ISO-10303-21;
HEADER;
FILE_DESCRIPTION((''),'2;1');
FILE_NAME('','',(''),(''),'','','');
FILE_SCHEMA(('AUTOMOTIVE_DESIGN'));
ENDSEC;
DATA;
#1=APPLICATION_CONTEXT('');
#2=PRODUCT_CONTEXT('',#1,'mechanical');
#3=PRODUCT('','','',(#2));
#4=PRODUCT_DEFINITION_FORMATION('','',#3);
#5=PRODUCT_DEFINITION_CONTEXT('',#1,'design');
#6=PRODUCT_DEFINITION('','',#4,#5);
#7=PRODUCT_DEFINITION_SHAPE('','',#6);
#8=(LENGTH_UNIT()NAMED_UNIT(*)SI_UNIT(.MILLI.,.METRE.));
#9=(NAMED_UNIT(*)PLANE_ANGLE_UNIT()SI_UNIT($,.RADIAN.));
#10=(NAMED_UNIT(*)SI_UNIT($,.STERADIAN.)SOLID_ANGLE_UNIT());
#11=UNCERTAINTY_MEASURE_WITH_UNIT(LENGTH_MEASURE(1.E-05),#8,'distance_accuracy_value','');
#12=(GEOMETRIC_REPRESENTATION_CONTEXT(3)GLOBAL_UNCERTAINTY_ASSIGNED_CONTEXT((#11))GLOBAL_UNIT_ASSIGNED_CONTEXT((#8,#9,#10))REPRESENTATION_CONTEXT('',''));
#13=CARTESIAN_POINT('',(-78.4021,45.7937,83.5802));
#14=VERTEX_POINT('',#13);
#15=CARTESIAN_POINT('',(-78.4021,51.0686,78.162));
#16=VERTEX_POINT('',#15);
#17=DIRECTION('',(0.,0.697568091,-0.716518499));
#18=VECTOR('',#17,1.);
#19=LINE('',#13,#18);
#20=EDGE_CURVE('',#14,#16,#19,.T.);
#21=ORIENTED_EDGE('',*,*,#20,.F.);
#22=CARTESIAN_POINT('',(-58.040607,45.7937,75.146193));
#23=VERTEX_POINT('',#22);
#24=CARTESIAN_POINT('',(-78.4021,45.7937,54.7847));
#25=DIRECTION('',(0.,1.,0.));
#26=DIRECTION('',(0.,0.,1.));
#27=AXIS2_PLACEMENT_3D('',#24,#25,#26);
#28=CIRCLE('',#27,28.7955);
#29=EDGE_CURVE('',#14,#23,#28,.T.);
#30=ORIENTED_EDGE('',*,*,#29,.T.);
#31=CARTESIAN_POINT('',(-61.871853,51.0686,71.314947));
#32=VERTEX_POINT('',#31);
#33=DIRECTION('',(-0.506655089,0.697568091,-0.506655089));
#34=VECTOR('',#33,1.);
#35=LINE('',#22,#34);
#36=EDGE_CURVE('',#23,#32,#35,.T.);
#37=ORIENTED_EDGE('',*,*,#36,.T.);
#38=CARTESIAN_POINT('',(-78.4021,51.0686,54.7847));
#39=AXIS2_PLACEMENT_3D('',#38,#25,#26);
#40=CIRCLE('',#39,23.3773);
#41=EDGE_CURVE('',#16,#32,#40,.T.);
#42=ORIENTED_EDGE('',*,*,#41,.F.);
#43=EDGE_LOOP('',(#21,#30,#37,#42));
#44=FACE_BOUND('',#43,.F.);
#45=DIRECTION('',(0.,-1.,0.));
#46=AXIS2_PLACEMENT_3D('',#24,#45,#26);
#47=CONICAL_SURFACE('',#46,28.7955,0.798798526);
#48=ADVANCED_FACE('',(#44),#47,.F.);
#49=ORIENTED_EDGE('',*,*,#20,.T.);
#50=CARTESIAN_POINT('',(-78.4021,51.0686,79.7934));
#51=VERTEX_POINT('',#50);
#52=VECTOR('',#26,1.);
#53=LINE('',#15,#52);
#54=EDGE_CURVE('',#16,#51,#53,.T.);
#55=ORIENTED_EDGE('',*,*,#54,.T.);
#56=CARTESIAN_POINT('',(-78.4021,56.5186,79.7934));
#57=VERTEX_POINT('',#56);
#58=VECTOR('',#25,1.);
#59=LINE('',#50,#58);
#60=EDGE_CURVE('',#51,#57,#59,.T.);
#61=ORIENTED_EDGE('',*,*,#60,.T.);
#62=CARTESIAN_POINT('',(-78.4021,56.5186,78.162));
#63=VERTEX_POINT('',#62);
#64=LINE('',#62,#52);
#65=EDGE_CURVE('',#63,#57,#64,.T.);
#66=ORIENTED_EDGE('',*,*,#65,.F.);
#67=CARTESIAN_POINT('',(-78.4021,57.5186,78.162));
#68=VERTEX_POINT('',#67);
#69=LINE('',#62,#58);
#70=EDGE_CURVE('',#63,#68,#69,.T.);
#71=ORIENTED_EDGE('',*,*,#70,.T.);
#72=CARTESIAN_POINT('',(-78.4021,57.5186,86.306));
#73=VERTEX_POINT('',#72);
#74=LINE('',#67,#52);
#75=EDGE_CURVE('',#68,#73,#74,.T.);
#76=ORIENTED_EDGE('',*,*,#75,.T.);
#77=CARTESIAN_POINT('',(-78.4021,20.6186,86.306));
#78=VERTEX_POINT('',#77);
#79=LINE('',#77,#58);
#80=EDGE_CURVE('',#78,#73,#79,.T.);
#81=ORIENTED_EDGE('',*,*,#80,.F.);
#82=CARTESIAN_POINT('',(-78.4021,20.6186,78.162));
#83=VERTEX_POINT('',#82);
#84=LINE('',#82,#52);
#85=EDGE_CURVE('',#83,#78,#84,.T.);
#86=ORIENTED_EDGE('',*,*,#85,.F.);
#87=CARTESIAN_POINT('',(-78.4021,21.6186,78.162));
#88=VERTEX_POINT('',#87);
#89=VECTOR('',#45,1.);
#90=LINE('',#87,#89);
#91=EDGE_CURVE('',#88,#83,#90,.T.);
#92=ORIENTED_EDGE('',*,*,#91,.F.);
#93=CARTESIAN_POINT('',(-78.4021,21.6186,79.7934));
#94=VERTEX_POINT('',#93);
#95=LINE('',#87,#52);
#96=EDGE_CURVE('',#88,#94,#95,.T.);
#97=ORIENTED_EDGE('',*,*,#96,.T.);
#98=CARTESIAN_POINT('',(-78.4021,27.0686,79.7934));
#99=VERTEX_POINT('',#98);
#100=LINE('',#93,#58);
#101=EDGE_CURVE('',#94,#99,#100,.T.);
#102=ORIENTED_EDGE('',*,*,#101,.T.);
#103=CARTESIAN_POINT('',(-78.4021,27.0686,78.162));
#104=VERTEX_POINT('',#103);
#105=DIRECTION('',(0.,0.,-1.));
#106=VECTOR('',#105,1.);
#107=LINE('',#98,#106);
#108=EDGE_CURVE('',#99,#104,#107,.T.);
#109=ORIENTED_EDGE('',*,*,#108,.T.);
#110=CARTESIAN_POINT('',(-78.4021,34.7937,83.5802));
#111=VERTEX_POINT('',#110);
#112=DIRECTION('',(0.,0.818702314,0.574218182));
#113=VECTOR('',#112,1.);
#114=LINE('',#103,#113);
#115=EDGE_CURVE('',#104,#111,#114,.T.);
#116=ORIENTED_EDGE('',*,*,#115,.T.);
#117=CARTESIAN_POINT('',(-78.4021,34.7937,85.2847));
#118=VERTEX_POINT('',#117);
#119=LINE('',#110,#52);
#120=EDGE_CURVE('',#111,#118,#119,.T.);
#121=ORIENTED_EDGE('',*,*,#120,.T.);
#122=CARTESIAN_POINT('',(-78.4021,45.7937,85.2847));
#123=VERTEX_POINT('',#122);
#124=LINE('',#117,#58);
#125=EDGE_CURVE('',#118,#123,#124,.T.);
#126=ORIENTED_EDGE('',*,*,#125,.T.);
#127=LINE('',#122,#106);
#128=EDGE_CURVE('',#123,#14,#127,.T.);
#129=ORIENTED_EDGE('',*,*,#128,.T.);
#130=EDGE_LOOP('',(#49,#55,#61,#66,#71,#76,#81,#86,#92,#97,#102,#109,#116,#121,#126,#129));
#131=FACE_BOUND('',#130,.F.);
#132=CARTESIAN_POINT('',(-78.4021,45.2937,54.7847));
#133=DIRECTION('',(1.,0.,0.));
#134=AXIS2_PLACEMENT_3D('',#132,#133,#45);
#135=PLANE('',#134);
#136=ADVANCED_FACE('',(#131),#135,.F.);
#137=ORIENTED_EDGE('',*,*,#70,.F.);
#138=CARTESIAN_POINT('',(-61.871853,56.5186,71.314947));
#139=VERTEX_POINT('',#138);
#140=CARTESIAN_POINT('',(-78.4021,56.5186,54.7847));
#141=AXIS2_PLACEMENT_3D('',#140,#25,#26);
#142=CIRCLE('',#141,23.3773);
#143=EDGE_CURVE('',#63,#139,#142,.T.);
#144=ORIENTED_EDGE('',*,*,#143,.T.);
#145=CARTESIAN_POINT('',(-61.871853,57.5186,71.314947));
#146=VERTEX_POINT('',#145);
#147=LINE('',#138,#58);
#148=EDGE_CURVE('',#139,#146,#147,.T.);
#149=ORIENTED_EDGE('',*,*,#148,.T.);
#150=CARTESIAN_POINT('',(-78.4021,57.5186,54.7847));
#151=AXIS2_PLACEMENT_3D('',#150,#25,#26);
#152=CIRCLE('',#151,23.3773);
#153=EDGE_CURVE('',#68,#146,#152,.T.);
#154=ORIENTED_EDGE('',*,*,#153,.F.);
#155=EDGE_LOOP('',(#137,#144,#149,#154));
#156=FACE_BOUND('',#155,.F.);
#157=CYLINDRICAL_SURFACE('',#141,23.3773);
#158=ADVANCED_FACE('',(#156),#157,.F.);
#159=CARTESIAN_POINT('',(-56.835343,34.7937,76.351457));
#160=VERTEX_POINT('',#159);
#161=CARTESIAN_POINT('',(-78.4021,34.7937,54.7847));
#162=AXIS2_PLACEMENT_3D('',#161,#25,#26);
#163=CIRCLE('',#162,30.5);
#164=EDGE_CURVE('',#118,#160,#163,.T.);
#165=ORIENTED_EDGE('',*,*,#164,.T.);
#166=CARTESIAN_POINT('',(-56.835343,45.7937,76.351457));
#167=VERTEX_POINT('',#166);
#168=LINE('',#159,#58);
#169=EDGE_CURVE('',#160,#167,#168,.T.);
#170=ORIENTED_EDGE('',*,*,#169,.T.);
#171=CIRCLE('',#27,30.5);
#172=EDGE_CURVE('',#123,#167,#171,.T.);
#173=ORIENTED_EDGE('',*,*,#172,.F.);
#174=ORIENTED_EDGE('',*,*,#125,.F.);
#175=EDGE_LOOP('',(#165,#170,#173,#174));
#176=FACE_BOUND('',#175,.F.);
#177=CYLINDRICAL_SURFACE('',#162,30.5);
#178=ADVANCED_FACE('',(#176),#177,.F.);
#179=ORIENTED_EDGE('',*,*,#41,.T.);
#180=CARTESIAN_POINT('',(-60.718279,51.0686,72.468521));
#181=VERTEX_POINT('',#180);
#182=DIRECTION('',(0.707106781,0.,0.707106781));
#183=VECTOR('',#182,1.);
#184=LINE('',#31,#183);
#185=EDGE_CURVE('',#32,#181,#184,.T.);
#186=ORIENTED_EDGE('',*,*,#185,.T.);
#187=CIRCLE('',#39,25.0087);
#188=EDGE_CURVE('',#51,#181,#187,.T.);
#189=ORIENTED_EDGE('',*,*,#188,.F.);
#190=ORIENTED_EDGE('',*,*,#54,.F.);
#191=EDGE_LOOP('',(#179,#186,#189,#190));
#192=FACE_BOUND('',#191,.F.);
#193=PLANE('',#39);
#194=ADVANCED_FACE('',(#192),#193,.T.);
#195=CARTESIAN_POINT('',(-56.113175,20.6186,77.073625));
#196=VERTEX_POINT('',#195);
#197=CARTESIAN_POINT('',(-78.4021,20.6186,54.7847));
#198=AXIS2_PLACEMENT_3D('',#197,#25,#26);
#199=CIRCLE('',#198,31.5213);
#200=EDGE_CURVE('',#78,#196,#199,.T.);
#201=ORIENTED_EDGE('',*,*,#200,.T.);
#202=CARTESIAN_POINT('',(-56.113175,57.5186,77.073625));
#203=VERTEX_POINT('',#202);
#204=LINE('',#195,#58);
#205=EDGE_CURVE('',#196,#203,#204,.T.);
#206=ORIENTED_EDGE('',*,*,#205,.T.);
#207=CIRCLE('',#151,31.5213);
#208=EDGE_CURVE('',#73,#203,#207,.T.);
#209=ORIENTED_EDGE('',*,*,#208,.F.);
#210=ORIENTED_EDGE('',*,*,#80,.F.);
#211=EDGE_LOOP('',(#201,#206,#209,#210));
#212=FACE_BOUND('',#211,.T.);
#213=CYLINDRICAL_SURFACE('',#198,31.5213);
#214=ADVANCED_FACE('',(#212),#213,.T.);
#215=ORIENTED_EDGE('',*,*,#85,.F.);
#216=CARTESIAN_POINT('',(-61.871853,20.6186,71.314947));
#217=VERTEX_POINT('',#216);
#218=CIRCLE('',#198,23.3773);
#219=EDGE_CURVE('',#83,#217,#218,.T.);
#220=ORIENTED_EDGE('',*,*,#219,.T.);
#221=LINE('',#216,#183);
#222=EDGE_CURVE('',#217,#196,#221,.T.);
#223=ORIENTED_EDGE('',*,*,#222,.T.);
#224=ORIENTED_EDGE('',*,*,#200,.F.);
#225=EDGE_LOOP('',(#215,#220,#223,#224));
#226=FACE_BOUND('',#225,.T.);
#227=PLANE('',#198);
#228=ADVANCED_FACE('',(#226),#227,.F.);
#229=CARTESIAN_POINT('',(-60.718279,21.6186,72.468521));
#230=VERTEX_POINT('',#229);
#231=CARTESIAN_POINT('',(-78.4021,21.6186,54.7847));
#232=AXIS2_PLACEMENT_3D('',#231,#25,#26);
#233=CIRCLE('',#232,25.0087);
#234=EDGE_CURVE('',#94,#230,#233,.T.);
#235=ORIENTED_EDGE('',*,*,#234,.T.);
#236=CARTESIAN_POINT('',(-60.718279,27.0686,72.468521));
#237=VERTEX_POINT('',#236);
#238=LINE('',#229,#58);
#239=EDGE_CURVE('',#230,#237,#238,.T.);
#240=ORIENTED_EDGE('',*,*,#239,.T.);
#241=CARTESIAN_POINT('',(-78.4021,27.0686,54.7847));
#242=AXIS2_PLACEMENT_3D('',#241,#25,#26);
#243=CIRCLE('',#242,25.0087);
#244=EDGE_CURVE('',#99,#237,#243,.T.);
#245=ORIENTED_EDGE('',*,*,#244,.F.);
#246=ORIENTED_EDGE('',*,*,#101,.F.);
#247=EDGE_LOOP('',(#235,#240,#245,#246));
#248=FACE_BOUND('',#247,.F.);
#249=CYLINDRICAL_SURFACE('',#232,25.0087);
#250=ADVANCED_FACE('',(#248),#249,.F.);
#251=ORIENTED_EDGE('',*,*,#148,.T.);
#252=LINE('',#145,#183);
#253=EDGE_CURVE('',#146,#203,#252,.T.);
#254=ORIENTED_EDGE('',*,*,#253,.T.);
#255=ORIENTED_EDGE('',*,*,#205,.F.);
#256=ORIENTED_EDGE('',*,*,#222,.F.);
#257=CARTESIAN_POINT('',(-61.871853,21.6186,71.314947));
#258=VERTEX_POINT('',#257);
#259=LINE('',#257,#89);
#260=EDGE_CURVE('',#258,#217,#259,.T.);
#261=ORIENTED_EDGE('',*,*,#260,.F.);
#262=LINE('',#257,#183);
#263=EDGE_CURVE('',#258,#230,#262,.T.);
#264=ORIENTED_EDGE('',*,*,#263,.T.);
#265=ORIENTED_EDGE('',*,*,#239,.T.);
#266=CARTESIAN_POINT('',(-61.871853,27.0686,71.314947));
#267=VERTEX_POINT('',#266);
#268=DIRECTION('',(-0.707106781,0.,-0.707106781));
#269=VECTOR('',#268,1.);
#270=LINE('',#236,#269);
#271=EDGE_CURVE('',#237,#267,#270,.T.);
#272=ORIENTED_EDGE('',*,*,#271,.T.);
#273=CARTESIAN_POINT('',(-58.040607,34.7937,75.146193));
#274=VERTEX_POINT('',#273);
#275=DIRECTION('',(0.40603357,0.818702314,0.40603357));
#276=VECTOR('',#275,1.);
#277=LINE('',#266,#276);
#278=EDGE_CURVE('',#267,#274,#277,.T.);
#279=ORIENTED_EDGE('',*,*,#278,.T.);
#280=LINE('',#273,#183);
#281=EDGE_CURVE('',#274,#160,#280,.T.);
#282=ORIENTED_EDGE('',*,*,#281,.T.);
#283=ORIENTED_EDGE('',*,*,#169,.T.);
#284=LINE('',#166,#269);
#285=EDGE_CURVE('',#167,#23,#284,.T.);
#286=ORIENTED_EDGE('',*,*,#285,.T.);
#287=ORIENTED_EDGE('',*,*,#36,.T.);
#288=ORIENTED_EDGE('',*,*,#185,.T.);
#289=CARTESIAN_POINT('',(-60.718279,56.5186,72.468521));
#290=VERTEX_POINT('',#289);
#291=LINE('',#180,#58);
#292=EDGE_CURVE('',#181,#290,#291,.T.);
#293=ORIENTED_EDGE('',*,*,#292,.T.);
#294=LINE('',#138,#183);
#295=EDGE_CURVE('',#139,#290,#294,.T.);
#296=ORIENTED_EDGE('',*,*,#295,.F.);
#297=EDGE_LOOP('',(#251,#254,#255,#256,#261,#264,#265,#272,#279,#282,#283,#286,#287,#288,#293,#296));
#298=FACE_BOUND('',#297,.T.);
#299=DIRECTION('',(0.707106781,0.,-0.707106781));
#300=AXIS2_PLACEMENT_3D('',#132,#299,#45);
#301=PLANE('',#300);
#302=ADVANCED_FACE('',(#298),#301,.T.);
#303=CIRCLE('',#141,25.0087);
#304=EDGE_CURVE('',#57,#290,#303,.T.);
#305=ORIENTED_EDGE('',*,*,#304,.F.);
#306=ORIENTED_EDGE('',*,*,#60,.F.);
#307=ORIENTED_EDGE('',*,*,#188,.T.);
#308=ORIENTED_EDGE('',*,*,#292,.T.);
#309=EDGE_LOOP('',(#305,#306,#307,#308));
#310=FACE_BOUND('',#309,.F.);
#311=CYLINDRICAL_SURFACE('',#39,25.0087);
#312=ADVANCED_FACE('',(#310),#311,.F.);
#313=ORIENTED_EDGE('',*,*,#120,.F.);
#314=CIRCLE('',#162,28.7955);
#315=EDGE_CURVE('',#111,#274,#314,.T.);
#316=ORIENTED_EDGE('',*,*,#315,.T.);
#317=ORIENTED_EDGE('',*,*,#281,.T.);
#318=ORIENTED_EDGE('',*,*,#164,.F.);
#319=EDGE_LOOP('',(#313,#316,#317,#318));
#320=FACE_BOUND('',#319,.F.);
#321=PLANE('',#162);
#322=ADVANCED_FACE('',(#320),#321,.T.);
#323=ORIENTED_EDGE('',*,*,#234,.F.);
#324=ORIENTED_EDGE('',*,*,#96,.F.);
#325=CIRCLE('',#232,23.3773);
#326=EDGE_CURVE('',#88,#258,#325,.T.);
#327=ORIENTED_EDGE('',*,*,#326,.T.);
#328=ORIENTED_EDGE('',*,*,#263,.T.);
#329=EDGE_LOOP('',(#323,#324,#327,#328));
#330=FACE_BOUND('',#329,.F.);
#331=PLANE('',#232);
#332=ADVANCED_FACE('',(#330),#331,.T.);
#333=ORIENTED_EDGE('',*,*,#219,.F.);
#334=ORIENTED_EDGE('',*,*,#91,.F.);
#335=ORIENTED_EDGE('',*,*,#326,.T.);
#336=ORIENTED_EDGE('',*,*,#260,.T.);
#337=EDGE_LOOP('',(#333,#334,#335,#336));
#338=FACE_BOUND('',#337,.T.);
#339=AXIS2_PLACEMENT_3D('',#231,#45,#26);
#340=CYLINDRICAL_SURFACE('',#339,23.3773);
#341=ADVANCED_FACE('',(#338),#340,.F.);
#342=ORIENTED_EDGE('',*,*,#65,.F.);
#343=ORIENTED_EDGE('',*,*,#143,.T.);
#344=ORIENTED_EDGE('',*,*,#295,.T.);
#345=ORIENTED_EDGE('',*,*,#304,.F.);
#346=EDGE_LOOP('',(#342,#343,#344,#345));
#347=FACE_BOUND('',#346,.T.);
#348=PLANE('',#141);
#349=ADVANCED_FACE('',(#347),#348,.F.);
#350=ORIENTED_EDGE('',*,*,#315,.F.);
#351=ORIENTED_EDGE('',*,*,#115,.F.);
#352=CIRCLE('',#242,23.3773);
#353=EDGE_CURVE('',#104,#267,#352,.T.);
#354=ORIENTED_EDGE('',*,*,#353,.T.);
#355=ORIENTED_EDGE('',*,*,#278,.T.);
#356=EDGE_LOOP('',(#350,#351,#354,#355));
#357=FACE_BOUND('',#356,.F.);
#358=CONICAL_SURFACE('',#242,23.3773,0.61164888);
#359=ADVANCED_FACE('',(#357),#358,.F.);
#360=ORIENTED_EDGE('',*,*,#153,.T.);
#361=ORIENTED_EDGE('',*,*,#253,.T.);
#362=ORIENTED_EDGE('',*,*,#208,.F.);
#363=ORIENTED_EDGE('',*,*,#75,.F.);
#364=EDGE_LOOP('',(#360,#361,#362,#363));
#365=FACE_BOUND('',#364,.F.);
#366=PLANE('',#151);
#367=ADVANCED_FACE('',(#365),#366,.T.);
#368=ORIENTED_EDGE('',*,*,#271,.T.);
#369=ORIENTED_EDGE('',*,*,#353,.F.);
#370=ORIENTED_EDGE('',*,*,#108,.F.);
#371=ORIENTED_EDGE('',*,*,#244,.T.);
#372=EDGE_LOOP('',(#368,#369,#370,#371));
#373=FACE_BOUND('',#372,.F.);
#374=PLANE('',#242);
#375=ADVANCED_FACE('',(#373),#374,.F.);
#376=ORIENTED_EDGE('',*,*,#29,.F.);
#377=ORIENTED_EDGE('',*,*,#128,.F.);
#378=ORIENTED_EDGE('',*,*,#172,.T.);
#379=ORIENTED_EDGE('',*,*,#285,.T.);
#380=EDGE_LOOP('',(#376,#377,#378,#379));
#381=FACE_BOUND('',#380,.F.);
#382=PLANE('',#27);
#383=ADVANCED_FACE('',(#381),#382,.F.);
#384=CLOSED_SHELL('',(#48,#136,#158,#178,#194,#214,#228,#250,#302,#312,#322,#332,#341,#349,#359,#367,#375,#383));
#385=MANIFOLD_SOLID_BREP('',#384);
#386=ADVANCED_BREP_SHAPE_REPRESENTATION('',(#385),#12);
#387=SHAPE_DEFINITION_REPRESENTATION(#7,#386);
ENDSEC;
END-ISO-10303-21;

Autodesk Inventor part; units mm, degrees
ref_plane "YZ Plane" through (0, 0, 0) normal (1, 0, 0) x (0, 1, 0)
ref_plane "XZ Plane" through (0, 0, 0) normal (0, 1, 0) x (-1, 0, 0)
ref_plane "XY Plane" through (0, 0, 0) normal (0, 0, 1) x (1, 0, 0)
ref_plane "Work Plane1" through (-78.4021, 45.2937, 54.7847) normal (1, 0, 0) x (0, -1, 0)
sketch "Sketch1" plane through (-78.4021, 45.2937, 54.7847) normal (1, 0, 0) x (0, -1, 0)
  line L0 (-10.7249, -24.5087) -> (-6.2749, -24.5087) construction
  line L1 (-10.7249, 24.5087) -> (-10.7249, -24.5087) construction
  line L2 (-6.2749, -24.5087) -> (-6.2749, 24.5087) construction
  line L3 (0, 30) -> (0, -30) construction
  line L4 (10, -30) -> (10, 30) construction
  line L5 (10, -30) -> (0, -30) construction
  line L6 (18.7251, 24.5087) -> (18.7251, -24.5087) construction
  line L7 (23.1751, -24.5087) -> (23.1751, 24.5087) construction
  line L8 (23.1751, -24.5087) -> (18.7251, -24.5087) construction
  line L9 (-57.6887, 0) -> (62.4574, 0) construction
  line L10 (-11.2249, 24.5087) -> (-11.2249, -25.0087) construction
  line L11 (-11.2249, -25.0087) -> (-5.7749, -25.0087) construction
  line L12 (-5.7749, -25.0087) -> (-5.7749, 24.5087) construction
  line L13 (-0.5, 30) -> (-0.5, -30.5) construction
  line L14 (-0.5, -30.5) -> (10.5, -30.5) construction
  line L15 (10.5, -30.5) -> (10.5, 30) construction
  line L16 (18.2251, 24.5087) -> (18.2251, -25.0087) construction
  line L17 (18.2251, -25.0087) -> (23.6751, -25.0087) construction
  line L18 (23.6751, -25.0087) -> (23.6751, 24.5087) construction
  line L19 (-11.2249, -23.3773) -> (-12.2249, -23.3773)
  line L20 (-12.2249, -23.3773) -> (-12.2249, -31.5213)
  line L21 (23.6751, -23.3773) -> (24.6751, -23.3773)
  line L22 (24.6751, -23.3773) -> (24.6751, -31.5213)
  line L23 (24.6751, -31.5213) -> (-12.2249, -31.5213)
  line L24 (23.6751, -23.3773) -> (23.6751, -25.0087)
  line L25 (23.6751, -25.0087) -> (18.2251, -25.0087)
  line L26 (18.2251, -25.0087) -> (18.2251, -23.3773)
  line L27 (18.2251, -23.3773) -> (10.5, -28.7955)
  line L28 (10.5, -28.7955) -> (10.5, -30.5)
  line L29 (10.5, -30.5) -> (-0.5, -30.5)
  line L30 (-5.7749, -23.3773) -> (-5.7749, -25.0087)
  line L31 (-5.7749, -25.0087) -> (-11.2249, -25.0087)
  line L32 (-11.2249, -23.3773) -> (-11.2249, -25.0087)
  line L33 (-0.5, -30.5) -> (-0.5, -28.7955)
  line L34 (-0.5, -28.7955) -> (-5.7749, -23.3773)
  point P0 (45.2937, 54.7847)
  dimension "d0" = 0.5
  dimension "d1" = 0.5
  dimension "d2" = 0.5
  dimension "d3" = 1
  dimension "d4" = 1
revolve "Revolution1" add sketch "Sketch1" angle 45 about axis through (-78.4021, 102.9823, 54.7847) along (0, 1, 0)
properties part number "30_CUBE_openVCM_housing_v0"
